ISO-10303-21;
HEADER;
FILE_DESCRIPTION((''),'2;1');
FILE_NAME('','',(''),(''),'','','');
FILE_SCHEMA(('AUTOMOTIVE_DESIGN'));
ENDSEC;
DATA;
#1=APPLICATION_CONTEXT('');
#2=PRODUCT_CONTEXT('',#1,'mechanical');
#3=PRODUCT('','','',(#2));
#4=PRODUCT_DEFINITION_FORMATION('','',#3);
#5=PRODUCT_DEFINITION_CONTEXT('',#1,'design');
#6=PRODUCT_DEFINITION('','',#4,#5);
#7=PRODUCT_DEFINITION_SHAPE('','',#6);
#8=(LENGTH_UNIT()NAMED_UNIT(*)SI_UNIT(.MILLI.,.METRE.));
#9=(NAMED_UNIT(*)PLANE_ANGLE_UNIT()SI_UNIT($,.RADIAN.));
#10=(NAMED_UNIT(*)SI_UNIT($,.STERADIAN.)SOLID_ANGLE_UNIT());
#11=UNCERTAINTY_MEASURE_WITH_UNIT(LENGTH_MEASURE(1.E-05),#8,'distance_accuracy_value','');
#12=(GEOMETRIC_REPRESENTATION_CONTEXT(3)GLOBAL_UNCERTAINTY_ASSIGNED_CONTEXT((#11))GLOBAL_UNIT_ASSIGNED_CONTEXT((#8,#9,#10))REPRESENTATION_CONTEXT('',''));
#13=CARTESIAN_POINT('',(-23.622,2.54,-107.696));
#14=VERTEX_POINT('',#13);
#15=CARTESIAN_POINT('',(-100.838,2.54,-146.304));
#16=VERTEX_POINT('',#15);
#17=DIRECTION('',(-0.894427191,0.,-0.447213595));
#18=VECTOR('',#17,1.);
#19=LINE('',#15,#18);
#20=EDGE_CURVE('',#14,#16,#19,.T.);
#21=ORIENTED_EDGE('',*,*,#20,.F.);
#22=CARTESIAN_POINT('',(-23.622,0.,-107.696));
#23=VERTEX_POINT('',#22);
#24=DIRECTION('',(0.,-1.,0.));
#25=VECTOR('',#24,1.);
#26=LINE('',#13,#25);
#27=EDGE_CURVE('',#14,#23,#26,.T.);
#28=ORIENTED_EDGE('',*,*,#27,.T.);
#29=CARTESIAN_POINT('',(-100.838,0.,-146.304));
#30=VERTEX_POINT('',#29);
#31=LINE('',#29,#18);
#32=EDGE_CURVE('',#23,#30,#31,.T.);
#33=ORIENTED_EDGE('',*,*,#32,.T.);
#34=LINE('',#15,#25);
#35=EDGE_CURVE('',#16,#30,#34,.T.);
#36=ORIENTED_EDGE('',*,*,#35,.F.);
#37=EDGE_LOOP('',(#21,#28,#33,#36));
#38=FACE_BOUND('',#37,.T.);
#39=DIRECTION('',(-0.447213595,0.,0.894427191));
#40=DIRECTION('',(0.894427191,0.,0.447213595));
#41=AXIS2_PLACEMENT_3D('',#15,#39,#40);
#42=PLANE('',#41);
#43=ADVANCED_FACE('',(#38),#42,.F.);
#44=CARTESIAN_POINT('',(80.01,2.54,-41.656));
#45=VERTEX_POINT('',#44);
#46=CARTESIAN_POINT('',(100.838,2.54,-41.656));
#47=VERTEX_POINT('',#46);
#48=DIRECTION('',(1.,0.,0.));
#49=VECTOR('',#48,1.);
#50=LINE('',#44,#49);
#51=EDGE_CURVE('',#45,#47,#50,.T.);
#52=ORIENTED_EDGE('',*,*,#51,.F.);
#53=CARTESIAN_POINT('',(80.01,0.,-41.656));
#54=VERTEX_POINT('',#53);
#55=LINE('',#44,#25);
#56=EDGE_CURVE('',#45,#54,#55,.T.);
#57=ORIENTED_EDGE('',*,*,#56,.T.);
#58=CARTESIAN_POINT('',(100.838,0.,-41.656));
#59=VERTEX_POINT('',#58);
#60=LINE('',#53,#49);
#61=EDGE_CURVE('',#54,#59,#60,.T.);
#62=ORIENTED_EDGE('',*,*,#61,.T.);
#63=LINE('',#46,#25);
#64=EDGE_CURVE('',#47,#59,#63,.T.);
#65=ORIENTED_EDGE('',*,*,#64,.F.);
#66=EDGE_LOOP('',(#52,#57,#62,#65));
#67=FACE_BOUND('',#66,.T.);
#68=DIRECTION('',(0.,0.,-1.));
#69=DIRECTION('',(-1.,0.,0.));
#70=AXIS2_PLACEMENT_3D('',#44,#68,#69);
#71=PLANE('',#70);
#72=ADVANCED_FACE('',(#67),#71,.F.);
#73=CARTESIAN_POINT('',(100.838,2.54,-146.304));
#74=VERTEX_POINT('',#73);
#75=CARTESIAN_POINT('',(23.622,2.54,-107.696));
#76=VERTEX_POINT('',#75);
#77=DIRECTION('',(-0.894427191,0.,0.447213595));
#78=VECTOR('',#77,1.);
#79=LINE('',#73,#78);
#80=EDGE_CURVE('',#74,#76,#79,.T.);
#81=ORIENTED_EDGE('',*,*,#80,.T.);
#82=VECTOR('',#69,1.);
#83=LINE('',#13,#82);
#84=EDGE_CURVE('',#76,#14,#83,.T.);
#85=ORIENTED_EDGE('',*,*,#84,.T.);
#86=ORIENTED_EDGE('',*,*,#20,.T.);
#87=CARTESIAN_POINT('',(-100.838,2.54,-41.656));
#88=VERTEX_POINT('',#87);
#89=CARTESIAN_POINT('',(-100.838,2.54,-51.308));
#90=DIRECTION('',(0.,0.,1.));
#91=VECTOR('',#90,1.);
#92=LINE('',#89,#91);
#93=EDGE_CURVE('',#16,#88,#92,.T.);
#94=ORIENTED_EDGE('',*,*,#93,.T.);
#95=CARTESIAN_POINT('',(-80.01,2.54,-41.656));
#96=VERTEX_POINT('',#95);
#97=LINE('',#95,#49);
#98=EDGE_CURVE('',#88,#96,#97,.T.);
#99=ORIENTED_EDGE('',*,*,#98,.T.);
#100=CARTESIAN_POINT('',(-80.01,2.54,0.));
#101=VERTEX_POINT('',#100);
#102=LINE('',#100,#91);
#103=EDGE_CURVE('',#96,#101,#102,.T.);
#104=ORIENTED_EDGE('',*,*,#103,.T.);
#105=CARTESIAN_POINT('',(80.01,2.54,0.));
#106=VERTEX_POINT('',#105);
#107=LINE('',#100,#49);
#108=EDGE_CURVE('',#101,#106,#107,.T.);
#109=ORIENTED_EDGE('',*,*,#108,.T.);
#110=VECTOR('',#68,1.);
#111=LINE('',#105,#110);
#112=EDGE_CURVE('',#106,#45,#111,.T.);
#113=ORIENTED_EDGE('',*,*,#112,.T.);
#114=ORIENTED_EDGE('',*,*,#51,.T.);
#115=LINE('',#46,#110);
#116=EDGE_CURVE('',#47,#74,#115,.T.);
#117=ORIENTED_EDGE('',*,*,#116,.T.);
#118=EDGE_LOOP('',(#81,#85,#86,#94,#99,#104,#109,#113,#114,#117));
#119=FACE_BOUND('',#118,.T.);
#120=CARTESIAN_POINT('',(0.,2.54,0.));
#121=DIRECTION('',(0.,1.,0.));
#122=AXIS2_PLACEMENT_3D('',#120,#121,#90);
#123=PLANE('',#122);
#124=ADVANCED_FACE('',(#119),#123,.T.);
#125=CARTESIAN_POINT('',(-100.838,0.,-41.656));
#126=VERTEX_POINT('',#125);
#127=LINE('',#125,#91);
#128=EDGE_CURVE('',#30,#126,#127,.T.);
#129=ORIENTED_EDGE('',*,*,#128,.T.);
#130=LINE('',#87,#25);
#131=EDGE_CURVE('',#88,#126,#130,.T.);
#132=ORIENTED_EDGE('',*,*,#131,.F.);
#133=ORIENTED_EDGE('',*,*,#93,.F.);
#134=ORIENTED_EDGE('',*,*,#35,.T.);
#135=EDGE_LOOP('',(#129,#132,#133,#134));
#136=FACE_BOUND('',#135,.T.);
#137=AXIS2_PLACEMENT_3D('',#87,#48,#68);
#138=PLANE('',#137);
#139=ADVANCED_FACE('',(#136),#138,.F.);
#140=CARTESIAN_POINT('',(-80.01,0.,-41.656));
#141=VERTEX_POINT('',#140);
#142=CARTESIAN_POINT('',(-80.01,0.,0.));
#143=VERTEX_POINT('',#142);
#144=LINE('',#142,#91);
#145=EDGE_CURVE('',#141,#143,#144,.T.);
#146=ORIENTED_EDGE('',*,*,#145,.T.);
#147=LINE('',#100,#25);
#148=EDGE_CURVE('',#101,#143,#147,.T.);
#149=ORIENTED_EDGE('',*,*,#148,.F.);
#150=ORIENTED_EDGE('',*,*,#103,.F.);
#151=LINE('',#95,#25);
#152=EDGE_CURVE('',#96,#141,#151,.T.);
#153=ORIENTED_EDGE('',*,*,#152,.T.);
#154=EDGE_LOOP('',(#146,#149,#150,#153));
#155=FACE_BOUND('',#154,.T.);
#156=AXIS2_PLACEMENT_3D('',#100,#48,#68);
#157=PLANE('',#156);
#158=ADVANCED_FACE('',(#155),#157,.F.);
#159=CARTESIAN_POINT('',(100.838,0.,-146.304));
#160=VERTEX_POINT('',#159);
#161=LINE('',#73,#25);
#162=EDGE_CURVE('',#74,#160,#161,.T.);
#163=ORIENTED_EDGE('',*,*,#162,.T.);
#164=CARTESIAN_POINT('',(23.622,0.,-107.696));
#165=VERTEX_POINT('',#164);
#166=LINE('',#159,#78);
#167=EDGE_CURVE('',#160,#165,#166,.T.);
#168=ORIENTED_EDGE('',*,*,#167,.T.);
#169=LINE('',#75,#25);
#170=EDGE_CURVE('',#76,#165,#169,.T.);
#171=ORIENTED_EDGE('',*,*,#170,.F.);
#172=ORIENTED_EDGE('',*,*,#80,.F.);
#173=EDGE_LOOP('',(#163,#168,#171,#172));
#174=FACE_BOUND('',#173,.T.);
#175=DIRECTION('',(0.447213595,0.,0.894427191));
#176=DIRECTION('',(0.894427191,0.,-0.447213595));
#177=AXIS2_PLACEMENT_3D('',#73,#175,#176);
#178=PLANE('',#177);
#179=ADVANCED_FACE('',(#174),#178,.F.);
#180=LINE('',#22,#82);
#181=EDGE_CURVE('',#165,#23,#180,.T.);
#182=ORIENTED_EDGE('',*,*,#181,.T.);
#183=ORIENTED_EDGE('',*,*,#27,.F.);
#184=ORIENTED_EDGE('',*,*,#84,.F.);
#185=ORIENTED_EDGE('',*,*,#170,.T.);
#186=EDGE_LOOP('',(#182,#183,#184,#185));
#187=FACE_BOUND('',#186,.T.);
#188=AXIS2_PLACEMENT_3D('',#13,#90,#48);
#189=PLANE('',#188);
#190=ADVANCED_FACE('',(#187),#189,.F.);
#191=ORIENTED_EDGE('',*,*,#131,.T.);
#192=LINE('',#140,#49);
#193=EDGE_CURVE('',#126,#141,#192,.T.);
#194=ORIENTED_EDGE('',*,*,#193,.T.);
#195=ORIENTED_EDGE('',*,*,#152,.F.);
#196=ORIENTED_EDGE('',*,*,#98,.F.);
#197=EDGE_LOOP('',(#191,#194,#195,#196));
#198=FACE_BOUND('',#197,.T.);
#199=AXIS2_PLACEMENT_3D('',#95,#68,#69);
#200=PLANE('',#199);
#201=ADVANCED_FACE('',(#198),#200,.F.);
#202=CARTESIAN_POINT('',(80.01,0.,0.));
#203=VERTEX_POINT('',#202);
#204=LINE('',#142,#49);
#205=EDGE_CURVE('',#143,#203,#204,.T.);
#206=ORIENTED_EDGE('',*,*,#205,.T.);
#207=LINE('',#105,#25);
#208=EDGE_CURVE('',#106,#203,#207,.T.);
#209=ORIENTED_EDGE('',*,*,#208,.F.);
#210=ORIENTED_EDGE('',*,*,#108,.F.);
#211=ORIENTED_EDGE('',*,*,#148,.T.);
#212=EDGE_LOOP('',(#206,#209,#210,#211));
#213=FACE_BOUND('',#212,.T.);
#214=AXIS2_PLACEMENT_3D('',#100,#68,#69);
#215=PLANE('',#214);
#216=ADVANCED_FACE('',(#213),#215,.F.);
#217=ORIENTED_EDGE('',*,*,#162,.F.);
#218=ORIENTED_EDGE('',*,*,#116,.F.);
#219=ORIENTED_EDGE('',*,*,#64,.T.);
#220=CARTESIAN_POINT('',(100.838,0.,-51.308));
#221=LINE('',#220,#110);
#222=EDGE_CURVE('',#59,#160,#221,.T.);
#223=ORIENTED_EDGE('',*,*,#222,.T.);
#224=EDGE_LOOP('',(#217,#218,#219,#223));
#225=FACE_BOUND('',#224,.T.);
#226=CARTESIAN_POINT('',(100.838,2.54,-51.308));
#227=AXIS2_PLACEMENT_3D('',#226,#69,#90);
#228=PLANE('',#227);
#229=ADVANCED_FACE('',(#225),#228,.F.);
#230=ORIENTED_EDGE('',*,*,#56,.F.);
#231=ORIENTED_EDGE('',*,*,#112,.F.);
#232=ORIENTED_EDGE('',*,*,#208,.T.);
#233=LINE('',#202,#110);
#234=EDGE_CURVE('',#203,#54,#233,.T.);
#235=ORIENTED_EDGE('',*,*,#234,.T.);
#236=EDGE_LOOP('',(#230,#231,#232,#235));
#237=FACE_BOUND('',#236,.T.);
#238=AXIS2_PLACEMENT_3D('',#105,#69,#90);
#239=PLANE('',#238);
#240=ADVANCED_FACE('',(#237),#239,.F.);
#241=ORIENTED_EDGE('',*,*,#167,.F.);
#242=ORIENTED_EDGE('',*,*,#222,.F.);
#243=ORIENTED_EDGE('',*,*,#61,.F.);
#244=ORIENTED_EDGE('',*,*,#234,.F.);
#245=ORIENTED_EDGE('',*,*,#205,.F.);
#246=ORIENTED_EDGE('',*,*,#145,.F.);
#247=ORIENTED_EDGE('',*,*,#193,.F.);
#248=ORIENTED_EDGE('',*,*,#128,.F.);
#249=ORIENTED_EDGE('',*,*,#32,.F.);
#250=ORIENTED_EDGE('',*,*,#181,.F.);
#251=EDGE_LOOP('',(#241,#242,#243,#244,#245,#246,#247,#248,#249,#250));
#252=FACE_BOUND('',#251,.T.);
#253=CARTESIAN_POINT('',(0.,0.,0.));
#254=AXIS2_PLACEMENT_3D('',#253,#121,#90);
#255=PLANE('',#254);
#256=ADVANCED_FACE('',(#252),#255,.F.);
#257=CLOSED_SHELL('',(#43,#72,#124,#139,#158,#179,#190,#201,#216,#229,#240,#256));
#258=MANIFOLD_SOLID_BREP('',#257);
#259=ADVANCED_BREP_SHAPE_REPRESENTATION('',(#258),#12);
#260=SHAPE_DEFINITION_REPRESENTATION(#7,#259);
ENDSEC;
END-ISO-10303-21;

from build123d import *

# Parameters (mm, degrees)
BOSS_EXTRUDE1_DEPTH = 2.54


with BuildPart() as part:
    # Sketch1 → Boss-Extrude1 (new body)
    with BuildSketch(Plane(origin=(0, 0, 0), x_dir=(1, 0, 0), z_dir=(0, 1, 0))):
        Polygon((-80.01, 0), (80.01, 0), (80.01, 41.656), (100.838, 41.656), (100.838, 51.308), (100.838, 146.304), (23.622, 107.696), (-23.622, 107.696), (-100.838, 146.304), (-100.838, 51.308), (-100.838, 41.656), (-80.01, 41.656), align=None)
    extrude(amount=BOSS_EXTRUDE1_DEPTH)


solid = part.part
